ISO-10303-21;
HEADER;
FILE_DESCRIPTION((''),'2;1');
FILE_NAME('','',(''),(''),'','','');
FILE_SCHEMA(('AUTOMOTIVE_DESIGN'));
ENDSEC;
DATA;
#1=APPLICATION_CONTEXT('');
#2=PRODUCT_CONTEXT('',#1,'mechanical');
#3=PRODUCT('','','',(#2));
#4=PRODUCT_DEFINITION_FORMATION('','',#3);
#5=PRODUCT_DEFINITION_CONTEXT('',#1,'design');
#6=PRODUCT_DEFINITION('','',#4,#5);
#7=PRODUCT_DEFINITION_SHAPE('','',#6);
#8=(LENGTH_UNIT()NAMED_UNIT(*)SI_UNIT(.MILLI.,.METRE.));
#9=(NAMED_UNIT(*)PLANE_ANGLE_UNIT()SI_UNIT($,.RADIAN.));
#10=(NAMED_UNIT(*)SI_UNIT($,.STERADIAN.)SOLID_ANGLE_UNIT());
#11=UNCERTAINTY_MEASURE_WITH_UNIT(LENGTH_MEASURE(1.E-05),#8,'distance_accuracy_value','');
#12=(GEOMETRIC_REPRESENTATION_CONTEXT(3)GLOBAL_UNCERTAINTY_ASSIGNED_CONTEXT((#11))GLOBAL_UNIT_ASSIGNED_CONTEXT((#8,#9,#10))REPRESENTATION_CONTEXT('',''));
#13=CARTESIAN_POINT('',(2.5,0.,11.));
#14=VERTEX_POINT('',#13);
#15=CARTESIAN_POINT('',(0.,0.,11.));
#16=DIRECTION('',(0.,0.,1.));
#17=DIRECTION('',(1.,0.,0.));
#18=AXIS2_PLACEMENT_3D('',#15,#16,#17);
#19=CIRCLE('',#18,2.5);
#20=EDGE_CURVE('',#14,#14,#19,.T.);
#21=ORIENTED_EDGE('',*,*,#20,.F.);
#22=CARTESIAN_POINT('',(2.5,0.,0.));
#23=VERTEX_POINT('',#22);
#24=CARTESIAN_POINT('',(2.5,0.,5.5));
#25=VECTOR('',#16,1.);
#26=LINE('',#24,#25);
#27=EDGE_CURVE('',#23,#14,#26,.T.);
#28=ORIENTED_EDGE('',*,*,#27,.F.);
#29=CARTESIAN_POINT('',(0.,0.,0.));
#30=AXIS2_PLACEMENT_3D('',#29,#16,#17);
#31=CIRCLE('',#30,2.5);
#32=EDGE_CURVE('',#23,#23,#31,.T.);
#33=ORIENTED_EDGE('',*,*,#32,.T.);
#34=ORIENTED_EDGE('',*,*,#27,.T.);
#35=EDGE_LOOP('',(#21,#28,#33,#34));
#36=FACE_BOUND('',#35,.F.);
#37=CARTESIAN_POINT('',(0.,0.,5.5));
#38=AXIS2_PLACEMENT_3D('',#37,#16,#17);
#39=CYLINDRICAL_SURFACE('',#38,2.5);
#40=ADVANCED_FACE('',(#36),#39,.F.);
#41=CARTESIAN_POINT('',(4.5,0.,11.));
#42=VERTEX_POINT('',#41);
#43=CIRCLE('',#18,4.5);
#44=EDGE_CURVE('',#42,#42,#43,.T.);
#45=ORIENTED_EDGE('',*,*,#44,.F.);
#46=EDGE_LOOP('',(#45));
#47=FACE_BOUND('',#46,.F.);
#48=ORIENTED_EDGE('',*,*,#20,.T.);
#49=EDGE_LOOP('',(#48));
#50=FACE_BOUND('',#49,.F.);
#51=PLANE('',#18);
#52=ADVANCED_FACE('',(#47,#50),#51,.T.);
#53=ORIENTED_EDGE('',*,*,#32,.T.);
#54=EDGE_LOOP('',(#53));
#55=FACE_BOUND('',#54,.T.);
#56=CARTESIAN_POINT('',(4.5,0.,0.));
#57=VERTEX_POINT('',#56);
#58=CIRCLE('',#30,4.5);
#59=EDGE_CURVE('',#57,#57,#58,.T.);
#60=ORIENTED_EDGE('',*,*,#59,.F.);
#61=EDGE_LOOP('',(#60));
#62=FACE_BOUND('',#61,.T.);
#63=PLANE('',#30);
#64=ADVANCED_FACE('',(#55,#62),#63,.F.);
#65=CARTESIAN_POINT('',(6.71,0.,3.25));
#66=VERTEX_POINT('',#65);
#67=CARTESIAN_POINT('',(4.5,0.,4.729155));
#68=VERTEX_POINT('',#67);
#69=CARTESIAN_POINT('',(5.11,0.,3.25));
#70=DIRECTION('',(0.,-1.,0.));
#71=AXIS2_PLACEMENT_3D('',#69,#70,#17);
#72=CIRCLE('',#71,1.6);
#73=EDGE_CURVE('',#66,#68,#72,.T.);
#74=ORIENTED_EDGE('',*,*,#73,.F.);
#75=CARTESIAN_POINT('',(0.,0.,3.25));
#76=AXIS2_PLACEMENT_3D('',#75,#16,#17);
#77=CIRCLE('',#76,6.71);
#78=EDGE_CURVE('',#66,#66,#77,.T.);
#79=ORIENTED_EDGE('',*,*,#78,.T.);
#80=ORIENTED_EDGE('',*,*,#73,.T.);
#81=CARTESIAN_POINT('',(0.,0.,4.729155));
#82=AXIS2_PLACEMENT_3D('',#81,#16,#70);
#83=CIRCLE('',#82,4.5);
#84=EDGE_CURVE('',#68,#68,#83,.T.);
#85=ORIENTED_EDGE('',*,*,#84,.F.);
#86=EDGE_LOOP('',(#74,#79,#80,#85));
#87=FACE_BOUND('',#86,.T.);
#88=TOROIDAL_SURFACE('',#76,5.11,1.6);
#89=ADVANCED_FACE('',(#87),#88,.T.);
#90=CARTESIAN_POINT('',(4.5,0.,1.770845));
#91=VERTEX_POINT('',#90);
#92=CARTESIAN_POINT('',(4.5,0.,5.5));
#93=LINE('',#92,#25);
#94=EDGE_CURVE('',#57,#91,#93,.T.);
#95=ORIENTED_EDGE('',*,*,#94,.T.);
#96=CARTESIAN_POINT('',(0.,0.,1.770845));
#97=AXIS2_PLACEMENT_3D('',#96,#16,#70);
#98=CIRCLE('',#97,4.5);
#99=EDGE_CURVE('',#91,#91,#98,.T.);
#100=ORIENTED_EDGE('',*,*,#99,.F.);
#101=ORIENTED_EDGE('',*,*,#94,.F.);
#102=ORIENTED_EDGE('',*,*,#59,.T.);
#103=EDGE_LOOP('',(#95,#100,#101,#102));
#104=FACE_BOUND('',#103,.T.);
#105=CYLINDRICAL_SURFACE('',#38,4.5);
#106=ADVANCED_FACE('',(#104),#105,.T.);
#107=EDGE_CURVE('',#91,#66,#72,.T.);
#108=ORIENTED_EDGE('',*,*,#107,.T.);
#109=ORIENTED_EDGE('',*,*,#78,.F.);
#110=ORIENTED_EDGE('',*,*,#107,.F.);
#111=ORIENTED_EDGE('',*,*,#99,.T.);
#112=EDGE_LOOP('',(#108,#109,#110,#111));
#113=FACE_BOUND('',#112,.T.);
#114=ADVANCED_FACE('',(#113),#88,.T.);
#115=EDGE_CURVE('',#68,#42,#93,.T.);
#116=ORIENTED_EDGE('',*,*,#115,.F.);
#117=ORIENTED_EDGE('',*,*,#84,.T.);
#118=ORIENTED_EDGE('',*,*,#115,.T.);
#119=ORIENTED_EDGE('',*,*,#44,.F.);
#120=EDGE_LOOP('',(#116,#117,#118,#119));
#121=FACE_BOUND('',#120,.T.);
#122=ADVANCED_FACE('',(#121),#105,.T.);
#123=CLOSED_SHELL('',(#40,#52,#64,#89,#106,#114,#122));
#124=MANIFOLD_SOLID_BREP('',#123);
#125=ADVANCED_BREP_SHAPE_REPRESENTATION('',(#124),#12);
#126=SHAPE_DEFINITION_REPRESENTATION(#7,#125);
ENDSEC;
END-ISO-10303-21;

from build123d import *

# Parameters (mm, degrees)
F3_W = 2
F3_H = 11
F1_R = 1.6


with BuildPart() as f0:
    # F3 (on Front) → F0 (revolve)
    with BuildSketch(Plane.XZ):
        with Locations((3.5, 5.5)):
            Rectangle(F3_W, F3_H)
    revolve(axis=Axis((0, 0, 71.798525), (0, 0, 1)))

    # F1 (on Front) → F2 (revolve)
    with BuildSketch(Plane.XZ):
        with Locations((5.11, 3.25)):
            Circle(F1_R)
    revolve(axis=Axis((0, 0, 0), (0, 0, 1)))


solid = f0.part
